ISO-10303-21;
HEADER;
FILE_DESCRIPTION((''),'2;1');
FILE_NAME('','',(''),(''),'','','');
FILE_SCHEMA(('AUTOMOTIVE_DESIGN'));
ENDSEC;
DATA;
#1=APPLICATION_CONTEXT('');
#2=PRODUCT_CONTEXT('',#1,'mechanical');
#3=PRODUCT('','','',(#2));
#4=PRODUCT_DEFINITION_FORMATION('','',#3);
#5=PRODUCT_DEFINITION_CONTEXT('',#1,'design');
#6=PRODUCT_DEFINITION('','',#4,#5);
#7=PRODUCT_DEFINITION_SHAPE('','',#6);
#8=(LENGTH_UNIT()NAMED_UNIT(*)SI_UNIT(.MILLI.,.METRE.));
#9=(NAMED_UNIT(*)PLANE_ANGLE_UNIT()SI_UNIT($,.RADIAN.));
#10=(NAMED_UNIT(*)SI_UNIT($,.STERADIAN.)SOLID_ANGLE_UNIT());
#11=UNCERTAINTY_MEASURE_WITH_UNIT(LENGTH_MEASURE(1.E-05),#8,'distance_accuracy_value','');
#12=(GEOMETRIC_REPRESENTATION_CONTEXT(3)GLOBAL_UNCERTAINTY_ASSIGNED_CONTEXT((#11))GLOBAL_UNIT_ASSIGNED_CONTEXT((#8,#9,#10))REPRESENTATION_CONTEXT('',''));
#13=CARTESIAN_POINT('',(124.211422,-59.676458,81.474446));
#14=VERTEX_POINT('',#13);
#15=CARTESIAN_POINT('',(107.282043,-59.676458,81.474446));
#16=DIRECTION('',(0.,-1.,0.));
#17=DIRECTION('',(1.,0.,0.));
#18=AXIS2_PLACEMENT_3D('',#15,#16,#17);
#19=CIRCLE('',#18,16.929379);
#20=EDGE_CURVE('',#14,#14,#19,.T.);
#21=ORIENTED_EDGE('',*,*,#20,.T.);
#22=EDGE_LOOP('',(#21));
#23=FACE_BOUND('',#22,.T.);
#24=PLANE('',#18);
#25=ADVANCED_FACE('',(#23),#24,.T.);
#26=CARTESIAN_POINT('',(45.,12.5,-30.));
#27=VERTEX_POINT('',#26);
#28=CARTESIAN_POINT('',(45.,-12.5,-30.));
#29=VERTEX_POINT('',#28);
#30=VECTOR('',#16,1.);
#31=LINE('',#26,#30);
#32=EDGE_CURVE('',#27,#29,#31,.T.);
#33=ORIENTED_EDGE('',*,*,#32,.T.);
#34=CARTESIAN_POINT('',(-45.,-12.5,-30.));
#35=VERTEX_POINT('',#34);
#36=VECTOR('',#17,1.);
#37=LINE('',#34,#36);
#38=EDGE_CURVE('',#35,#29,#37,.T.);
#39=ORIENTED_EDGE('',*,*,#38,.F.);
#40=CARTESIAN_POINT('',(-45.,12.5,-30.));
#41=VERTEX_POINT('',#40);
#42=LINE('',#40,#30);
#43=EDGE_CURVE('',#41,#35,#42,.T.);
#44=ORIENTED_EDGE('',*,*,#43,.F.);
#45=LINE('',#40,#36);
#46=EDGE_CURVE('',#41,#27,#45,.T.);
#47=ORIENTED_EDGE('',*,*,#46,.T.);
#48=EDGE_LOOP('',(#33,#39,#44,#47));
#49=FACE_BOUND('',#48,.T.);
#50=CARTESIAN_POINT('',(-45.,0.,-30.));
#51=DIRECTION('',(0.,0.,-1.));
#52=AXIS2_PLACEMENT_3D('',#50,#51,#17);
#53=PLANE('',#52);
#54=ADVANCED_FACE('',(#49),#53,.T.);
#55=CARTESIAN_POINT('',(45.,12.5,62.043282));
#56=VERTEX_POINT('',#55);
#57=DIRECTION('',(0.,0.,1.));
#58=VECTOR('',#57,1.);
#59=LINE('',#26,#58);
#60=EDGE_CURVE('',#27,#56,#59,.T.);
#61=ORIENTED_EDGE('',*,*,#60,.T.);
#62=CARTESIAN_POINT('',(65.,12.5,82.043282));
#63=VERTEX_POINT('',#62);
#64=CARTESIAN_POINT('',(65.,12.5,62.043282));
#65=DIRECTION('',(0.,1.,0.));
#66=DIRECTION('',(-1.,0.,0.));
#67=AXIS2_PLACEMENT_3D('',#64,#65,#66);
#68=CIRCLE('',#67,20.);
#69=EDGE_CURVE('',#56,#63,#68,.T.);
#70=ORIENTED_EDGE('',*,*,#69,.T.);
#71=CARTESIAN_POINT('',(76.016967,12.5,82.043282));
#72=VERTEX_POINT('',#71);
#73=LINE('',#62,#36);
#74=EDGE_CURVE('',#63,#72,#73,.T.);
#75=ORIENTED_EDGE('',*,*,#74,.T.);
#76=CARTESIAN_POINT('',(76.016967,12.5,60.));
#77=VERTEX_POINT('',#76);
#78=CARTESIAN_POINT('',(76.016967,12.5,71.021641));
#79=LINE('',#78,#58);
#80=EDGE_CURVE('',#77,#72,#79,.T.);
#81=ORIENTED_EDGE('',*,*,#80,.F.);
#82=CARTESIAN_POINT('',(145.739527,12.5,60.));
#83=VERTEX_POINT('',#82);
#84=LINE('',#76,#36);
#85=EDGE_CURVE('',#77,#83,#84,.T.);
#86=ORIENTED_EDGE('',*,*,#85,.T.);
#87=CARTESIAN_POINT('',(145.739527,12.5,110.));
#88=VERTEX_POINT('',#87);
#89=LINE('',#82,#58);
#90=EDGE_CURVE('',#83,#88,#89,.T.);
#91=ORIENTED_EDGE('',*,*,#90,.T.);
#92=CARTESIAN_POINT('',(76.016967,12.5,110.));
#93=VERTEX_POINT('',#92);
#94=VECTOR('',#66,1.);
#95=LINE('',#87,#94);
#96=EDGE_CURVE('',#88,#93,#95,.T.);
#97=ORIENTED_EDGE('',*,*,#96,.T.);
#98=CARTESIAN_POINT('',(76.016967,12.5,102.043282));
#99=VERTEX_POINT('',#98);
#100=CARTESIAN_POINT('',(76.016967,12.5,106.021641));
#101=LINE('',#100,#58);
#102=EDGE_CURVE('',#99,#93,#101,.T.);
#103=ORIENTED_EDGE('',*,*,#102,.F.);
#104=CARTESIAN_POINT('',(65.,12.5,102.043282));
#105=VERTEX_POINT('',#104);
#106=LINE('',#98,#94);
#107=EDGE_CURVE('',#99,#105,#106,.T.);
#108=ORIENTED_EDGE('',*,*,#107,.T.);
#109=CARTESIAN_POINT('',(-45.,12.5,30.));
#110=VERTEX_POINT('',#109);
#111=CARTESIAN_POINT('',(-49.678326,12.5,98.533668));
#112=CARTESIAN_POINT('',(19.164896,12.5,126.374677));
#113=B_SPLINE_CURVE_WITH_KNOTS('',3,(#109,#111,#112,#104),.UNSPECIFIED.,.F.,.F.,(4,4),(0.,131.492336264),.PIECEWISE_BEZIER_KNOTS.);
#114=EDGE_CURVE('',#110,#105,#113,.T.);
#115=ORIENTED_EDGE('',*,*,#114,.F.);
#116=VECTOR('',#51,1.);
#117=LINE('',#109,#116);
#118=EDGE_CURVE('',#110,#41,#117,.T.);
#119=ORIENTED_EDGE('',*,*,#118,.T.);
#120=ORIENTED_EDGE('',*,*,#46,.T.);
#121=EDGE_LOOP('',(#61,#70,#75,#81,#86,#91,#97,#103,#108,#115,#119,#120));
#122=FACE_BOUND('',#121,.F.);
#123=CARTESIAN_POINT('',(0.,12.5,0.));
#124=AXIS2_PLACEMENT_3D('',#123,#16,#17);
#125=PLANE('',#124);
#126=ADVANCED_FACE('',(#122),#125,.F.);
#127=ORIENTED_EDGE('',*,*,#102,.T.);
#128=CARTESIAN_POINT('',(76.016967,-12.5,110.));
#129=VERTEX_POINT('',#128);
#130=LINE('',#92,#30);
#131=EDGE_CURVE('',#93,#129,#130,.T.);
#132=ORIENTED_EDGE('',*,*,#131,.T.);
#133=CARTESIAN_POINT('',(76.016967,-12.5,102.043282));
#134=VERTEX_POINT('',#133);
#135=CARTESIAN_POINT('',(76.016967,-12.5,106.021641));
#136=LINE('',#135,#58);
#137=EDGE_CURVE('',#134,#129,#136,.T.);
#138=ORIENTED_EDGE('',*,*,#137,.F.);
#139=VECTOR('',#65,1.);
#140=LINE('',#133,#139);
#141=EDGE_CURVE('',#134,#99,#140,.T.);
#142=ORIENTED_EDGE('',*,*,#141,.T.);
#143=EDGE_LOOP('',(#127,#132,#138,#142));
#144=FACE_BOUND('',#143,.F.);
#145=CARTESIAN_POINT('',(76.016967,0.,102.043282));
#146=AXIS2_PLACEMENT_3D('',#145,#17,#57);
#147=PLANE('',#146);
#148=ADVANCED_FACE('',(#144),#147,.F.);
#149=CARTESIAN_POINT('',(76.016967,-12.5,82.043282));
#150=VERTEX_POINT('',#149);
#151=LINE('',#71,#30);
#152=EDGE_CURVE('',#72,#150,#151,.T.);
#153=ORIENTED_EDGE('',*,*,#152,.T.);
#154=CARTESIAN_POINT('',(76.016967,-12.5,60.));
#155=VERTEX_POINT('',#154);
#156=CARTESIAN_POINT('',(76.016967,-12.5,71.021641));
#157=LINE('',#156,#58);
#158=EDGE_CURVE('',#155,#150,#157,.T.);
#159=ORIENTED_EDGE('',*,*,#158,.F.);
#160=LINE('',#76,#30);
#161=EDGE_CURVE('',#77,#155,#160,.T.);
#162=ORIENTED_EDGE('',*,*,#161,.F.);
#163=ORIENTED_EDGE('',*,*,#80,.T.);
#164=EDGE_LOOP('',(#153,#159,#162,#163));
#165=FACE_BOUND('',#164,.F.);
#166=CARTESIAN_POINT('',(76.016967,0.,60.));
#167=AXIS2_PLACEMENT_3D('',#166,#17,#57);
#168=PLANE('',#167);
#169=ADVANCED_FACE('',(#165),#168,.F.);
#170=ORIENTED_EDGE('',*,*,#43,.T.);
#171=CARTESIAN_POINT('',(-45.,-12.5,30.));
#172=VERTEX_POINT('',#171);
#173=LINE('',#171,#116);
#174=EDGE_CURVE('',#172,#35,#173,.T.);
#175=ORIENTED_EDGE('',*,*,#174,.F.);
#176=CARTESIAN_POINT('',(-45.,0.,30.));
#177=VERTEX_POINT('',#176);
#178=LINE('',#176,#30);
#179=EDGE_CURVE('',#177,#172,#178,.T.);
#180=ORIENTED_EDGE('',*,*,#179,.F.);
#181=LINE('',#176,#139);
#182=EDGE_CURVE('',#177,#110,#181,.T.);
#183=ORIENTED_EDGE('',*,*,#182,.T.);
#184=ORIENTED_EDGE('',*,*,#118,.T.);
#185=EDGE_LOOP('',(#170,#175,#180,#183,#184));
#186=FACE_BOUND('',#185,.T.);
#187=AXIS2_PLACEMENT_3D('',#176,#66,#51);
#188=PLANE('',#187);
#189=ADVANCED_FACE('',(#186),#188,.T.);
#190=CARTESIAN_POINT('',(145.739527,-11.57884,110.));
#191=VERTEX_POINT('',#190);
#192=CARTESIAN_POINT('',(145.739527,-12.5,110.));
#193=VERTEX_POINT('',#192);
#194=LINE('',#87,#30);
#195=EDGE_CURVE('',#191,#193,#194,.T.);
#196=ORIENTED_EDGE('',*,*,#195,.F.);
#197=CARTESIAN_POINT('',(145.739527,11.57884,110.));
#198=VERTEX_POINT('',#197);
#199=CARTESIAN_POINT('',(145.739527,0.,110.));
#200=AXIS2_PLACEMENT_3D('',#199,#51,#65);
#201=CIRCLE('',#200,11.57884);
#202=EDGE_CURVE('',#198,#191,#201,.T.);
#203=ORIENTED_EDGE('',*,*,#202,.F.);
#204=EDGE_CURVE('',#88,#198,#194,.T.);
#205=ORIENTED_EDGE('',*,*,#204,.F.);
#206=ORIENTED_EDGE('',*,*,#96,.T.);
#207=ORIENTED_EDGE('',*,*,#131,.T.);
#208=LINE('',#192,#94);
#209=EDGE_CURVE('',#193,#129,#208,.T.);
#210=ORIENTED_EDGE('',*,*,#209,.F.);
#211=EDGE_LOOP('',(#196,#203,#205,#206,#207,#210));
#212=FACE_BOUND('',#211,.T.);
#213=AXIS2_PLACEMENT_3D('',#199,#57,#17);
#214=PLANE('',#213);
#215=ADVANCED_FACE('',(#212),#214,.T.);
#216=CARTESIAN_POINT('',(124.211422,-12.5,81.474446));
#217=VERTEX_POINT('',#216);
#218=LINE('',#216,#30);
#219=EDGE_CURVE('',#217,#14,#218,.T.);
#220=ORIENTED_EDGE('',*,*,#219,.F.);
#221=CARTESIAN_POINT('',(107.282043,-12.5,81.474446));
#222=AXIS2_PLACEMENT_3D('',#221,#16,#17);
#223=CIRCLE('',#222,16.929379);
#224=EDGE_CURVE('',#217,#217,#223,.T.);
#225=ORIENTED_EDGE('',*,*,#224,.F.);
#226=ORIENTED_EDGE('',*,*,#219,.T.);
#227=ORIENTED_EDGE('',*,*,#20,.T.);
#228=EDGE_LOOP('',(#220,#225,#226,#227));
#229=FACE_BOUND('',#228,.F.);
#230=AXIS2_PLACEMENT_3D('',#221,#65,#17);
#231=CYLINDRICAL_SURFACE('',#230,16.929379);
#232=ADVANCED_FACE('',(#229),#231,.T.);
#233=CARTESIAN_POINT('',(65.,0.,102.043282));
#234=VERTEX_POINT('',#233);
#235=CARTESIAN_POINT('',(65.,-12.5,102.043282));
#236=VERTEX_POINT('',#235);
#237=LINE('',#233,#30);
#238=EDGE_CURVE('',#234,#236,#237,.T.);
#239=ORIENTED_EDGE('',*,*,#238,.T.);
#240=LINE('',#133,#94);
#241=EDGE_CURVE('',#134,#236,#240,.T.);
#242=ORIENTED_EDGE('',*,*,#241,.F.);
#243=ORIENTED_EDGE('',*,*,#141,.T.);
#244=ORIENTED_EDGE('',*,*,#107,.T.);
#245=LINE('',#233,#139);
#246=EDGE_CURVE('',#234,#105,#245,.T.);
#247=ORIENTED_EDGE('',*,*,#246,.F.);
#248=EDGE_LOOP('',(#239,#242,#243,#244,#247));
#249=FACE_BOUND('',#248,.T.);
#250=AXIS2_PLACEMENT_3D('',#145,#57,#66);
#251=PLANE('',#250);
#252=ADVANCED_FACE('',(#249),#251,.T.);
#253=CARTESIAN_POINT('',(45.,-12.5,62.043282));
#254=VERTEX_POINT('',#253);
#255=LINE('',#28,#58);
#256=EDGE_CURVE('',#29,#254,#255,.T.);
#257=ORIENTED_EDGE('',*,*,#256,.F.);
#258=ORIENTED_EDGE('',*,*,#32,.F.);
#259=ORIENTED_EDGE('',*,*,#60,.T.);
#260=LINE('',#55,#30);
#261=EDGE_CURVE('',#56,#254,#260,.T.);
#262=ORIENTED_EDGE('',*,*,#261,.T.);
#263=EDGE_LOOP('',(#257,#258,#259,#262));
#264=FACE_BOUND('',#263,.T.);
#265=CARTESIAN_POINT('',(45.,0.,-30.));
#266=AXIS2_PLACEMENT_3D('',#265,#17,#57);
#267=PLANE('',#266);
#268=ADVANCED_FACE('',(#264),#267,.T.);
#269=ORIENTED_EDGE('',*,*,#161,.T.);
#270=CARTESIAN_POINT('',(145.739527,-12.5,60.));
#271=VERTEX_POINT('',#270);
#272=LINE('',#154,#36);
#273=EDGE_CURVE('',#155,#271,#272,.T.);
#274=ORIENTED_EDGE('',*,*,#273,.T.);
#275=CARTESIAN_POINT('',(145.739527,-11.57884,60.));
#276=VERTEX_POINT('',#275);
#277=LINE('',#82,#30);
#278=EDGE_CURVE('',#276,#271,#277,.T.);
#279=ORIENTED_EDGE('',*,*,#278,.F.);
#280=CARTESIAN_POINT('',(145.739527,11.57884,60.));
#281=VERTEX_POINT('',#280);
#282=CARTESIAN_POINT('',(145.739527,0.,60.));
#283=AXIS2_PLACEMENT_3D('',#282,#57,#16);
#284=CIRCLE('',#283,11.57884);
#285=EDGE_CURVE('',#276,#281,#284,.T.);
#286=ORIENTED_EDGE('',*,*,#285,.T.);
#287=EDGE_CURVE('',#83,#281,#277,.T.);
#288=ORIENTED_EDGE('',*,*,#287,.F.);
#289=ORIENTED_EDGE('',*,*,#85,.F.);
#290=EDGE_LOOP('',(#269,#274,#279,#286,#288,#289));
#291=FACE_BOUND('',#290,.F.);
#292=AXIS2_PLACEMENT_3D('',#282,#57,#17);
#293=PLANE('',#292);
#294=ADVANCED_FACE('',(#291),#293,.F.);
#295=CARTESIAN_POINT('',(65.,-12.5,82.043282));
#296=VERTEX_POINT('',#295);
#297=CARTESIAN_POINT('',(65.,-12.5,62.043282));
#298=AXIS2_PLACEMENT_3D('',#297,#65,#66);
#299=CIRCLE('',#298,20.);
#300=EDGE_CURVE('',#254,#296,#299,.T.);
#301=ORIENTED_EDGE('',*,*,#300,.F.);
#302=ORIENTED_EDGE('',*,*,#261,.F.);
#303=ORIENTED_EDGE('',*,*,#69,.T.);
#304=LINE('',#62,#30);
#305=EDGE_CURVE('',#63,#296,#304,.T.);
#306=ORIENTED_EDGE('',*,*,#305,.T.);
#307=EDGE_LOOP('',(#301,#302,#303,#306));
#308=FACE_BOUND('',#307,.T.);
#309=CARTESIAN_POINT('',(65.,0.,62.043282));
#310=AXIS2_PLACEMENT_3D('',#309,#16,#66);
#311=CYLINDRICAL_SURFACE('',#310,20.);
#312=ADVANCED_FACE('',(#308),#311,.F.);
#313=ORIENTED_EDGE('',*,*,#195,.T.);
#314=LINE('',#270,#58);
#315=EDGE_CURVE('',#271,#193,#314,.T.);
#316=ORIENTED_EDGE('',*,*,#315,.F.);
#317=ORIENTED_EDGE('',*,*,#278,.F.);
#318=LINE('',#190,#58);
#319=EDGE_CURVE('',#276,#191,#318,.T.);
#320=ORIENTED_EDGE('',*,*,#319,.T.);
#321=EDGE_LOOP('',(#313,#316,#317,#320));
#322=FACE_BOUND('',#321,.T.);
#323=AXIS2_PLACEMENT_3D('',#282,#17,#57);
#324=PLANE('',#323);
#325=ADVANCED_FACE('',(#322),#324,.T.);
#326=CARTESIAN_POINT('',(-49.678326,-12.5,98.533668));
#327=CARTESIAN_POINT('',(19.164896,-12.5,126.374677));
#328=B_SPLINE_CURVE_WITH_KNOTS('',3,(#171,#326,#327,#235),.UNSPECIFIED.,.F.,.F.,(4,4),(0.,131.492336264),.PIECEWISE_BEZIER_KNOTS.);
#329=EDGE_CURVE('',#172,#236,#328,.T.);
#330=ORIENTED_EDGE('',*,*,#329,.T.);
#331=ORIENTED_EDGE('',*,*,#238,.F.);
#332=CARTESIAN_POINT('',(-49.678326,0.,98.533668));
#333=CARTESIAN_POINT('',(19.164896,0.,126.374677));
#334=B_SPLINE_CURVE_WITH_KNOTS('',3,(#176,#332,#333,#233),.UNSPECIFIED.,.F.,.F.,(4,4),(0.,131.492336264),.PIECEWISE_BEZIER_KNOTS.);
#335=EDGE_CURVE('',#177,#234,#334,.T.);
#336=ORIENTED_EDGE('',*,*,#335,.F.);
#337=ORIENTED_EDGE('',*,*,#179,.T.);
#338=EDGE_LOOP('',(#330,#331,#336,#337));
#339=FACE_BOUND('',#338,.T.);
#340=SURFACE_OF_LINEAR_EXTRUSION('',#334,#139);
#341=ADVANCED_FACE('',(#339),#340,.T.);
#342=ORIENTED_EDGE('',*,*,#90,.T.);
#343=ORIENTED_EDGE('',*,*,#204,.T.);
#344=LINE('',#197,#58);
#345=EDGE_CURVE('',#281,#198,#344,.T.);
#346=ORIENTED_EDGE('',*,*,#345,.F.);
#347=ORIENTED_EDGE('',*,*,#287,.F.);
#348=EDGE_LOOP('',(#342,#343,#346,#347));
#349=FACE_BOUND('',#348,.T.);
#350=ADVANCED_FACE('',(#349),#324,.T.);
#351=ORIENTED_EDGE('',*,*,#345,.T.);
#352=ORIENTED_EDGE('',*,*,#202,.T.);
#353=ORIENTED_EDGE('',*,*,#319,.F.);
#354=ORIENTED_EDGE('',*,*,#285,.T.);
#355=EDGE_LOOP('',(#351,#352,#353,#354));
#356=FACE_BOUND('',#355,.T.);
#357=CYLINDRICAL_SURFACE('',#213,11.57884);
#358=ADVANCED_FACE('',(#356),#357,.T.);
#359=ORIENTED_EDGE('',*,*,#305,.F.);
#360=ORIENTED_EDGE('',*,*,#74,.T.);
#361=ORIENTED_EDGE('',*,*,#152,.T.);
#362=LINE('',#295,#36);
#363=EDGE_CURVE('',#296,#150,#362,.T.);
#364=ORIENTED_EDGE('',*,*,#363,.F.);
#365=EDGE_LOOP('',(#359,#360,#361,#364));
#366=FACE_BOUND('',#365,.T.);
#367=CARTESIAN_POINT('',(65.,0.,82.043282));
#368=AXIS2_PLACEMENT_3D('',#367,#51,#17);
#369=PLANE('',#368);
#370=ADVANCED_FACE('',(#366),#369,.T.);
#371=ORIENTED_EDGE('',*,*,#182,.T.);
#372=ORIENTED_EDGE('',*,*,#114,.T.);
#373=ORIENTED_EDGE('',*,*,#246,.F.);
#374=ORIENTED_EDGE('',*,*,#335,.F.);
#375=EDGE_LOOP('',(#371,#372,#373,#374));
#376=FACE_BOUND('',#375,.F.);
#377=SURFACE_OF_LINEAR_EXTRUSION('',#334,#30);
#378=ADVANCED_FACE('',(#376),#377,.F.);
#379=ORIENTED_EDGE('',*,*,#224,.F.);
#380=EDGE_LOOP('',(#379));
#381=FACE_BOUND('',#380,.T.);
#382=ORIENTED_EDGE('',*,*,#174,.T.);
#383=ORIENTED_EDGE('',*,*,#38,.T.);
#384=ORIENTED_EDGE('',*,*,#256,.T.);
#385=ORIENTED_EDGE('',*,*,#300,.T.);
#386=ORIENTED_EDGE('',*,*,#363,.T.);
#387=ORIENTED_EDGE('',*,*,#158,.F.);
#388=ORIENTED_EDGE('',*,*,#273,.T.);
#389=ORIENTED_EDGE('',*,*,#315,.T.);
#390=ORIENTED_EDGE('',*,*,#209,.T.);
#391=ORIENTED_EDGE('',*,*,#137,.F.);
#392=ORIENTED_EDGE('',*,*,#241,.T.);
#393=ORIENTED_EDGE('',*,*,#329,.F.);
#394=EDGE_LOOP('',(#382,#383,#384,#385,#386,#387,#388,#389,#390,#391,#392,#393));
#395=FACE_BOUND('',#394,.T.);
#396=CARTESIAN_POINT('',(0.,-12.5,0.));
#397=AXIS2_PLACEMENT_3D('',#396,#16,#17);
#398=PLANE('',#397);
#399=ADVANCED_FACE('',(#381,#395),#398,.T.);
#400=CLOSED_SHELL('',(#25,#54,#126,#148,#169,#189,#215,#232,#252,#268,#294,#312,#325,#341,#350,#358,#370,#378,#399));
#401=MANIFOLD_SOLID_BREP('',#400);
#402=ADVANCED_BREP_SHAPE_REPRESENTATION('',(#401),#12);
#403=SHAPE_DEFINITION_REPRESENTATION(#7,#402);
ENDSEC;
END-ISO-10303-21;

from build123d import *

# Parameters (mm, degrees)
F0_W     = 42.7631036925
F0_H     = 22.0432821037
F0_H_2   = 7.9567178963
F0_H_3   = 20
F1_DEPTH = 12.5
F2_R     = 11.5788396241
F3_DEPTH = 50
F4_R     = 16.9293792231
F5_DEPTH = 47.1764579415


with BuildPart() as f1:
    # F0 (on Front) → F1 (new body, symmetric)
    with BuildSketch(Plane.XZ):
        Polygon((25, 30), (-45, 30), (-45, -30), (45, -30), (45, 30), align=None)
        with BuildLine():
            add(Edge.make_bspline(
                [(-45, 30), (-49.6783256531, 98.533667624), (19.1648956388, 126.3746768236), (65, 102.0432821037)],
                knots=[0, 0, 0, 0, 131.4923362644, 131.4923362644, 131.4923362644, 131.4923362644], degree=3))
            Line((-45, 30), (25, 30))
            Line((25, 30), (25, 62.0432821037))
            ThreePointArc((25, 62.0432821037), (36.7157287525, 90.3275533511), (65, 102.0432821037))
        make_face()
        with Locations((97.3985187706, 71.0216410518)):
            Rectangle(F0_W, F0_H)
        with Locations((97.3985187706, 106.0216410518)):
            Rectangle(F0_W, F0_H_2)
        with BuildLine():
            Line((25, 62.0432821037), (25, 30))
            Line((25, 30), (45, 30))
            Line((45, 30), (45, 62.0432821037))
            ThreePointArc((45, 62.0432821037), (50.8578643763, 76.1854177274), (65, 82.0432821037))
            Line((65, 82.0432821037), (76.0169669243, 82.0432821037))
            Line((76.0169669243, 82.0432821037), (76.0169669243, 102.0432821037))
            Line((76.0169669243, 102.0432821037), (65, 102.0432821037))
            ThreePointArc((65, 102.0432821037), (36.7157287525, 90.3275533511), (25, 62.0432821037))
        make_face()
        Polygon((118.7800706168, 110), (118.7800706168, 102.0432821037), (118.7800706168, 82.0432821037), (118.7800706168, 60), (145.7395272495, 60), (145.7395272495, 110), align=None)
        with Locations((97.3985187706, 92.0432821037)):
            Rectangle(F0_W, F0_H_3)
    extrude(amount=F1_DEPTH, both=True)

    # F2 (on face) → F3 (join)
    with BuildSketch(Plane.XY.offset(110)):
        with Locations((145.7395272495, 0)):
            Circle(F2_R)
    extrude(amount=-F3_DEPTH)

    # F4 (on face) → F5 (join)
    with BuildSketch(Plane.XZ.offset(12.5)):
        with Locations((107.2820425034, 81.4744457603)):
            Circle(F4_R)
    extrude(amount=F5_DEPTH)


solid = f1.part
